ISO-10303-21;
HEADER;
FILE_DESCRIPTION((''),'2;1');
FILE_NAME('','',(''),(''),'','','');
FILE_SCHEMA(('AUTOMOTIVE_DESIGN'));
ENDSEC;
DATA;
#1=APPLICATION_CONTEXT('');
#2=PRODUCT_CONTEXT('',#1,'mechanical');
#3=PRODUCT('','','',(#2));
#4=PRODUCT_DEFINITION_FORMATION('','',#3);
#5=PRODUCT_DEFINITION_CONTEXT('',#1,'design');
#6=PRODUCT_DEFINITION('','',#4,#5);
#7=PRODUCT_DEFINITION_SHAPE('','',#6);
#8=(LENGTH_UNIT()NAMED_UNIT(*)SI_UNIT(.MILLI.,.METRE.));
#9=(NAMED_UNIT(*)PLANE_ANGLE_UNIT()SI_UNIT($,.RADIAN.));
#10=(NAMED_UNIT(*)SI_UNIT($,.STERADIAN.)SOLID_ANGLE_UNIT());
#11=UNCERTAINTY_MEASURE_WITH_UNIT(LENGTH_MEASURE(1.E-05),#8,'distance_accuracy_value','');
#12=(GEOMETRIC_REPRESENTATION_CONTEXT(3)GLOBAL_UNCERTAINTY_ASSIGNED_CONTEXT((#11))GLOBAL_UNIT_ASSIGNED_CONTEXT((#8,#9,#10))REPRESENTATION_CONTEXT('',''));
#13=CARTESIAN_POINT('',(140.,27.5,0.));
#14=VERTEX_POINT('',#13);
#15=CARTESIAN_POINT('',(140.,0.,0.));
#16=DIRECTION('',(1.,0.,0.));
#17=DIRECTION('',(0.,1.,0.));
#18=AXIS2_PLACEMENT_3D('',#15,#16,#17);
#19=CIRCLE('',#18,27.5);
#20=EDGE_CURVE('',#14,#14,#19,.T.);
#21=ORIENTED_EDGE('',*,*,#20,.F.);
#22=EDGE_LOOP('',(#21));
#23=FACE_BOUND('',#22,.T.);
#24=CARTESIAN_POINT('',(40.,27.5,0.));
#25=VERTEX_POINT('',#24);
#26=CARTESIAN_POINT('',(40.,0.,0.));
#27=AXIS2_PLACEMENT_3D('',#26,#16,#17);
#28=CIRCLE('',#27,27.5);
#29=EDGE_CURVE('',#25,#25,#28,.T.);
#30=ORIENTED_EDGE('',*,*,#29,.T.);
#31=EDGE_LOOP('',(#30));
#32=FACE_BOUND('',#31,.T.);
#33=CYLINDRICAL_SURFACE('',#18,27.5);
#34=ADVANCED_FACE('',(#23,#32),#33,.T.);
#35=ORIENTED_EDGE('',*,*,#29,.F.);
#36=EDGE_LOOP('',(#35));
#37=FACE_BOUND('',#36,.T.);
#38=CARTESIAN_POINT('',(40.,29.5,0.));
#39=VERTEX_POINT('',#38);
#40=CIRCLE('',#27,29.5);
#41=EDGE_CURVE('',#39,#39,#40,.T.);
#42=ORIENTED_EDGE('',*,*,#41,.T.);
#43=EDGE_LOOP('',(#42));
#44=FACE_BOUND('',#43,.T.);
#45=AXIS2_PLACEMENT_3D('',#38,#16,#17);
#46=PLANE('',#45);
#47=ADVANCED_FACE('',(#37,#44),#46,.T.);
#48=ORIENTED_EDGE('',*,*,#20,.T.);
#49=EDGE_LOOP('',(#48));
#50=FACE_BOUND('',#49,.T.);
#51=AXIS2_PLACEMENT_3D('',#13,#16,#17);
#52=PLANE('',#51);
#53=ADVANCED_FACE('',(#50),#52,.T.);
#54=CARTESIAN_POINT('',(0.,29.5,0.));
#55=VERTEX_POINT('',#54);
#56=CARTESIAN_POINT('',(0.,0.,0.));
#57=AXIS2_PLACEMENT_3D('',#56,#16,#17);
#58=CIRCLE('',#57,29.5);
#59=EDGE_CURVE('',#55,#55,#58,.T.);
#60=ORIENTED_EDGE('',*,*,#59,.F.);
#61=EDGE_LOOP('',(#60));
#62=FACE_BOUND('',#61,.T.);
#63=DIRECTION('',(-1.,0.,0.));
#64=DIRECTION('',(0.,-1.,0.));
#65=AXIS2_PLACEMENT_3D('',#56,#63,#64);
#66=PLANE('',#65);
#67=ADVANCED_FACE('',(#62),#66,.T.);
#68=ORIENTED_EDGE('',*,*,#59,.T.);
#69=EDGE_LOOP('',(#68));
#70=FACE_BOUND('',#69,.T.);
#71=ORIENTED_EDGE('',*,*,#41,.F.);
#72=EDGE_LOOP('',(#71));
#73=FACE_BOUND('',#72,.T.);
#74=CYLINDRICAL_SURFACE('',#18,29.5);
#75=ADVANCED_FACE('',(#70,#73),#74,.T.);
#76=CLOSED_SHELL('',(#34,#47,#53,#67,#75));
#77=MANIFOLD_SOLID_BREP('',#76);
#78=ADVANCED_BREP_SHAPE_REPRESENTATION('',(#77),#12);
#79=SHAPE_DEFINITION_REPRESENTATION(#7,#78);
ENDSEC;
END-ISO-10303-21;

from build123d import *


with BuildPart() as part:
    # Esquisse1 → Révolution1 (revolve)
    with BuildSketch(Plane.XY):
        Polygon((0, 0), (0, 29.5), (40, 29.5), (40, 27.5), (140, 27.5), (140, 0), align=None)
    revolve(axis=Axis((140, 0, 0), (-1, 0, 0)))


solid = part.part
